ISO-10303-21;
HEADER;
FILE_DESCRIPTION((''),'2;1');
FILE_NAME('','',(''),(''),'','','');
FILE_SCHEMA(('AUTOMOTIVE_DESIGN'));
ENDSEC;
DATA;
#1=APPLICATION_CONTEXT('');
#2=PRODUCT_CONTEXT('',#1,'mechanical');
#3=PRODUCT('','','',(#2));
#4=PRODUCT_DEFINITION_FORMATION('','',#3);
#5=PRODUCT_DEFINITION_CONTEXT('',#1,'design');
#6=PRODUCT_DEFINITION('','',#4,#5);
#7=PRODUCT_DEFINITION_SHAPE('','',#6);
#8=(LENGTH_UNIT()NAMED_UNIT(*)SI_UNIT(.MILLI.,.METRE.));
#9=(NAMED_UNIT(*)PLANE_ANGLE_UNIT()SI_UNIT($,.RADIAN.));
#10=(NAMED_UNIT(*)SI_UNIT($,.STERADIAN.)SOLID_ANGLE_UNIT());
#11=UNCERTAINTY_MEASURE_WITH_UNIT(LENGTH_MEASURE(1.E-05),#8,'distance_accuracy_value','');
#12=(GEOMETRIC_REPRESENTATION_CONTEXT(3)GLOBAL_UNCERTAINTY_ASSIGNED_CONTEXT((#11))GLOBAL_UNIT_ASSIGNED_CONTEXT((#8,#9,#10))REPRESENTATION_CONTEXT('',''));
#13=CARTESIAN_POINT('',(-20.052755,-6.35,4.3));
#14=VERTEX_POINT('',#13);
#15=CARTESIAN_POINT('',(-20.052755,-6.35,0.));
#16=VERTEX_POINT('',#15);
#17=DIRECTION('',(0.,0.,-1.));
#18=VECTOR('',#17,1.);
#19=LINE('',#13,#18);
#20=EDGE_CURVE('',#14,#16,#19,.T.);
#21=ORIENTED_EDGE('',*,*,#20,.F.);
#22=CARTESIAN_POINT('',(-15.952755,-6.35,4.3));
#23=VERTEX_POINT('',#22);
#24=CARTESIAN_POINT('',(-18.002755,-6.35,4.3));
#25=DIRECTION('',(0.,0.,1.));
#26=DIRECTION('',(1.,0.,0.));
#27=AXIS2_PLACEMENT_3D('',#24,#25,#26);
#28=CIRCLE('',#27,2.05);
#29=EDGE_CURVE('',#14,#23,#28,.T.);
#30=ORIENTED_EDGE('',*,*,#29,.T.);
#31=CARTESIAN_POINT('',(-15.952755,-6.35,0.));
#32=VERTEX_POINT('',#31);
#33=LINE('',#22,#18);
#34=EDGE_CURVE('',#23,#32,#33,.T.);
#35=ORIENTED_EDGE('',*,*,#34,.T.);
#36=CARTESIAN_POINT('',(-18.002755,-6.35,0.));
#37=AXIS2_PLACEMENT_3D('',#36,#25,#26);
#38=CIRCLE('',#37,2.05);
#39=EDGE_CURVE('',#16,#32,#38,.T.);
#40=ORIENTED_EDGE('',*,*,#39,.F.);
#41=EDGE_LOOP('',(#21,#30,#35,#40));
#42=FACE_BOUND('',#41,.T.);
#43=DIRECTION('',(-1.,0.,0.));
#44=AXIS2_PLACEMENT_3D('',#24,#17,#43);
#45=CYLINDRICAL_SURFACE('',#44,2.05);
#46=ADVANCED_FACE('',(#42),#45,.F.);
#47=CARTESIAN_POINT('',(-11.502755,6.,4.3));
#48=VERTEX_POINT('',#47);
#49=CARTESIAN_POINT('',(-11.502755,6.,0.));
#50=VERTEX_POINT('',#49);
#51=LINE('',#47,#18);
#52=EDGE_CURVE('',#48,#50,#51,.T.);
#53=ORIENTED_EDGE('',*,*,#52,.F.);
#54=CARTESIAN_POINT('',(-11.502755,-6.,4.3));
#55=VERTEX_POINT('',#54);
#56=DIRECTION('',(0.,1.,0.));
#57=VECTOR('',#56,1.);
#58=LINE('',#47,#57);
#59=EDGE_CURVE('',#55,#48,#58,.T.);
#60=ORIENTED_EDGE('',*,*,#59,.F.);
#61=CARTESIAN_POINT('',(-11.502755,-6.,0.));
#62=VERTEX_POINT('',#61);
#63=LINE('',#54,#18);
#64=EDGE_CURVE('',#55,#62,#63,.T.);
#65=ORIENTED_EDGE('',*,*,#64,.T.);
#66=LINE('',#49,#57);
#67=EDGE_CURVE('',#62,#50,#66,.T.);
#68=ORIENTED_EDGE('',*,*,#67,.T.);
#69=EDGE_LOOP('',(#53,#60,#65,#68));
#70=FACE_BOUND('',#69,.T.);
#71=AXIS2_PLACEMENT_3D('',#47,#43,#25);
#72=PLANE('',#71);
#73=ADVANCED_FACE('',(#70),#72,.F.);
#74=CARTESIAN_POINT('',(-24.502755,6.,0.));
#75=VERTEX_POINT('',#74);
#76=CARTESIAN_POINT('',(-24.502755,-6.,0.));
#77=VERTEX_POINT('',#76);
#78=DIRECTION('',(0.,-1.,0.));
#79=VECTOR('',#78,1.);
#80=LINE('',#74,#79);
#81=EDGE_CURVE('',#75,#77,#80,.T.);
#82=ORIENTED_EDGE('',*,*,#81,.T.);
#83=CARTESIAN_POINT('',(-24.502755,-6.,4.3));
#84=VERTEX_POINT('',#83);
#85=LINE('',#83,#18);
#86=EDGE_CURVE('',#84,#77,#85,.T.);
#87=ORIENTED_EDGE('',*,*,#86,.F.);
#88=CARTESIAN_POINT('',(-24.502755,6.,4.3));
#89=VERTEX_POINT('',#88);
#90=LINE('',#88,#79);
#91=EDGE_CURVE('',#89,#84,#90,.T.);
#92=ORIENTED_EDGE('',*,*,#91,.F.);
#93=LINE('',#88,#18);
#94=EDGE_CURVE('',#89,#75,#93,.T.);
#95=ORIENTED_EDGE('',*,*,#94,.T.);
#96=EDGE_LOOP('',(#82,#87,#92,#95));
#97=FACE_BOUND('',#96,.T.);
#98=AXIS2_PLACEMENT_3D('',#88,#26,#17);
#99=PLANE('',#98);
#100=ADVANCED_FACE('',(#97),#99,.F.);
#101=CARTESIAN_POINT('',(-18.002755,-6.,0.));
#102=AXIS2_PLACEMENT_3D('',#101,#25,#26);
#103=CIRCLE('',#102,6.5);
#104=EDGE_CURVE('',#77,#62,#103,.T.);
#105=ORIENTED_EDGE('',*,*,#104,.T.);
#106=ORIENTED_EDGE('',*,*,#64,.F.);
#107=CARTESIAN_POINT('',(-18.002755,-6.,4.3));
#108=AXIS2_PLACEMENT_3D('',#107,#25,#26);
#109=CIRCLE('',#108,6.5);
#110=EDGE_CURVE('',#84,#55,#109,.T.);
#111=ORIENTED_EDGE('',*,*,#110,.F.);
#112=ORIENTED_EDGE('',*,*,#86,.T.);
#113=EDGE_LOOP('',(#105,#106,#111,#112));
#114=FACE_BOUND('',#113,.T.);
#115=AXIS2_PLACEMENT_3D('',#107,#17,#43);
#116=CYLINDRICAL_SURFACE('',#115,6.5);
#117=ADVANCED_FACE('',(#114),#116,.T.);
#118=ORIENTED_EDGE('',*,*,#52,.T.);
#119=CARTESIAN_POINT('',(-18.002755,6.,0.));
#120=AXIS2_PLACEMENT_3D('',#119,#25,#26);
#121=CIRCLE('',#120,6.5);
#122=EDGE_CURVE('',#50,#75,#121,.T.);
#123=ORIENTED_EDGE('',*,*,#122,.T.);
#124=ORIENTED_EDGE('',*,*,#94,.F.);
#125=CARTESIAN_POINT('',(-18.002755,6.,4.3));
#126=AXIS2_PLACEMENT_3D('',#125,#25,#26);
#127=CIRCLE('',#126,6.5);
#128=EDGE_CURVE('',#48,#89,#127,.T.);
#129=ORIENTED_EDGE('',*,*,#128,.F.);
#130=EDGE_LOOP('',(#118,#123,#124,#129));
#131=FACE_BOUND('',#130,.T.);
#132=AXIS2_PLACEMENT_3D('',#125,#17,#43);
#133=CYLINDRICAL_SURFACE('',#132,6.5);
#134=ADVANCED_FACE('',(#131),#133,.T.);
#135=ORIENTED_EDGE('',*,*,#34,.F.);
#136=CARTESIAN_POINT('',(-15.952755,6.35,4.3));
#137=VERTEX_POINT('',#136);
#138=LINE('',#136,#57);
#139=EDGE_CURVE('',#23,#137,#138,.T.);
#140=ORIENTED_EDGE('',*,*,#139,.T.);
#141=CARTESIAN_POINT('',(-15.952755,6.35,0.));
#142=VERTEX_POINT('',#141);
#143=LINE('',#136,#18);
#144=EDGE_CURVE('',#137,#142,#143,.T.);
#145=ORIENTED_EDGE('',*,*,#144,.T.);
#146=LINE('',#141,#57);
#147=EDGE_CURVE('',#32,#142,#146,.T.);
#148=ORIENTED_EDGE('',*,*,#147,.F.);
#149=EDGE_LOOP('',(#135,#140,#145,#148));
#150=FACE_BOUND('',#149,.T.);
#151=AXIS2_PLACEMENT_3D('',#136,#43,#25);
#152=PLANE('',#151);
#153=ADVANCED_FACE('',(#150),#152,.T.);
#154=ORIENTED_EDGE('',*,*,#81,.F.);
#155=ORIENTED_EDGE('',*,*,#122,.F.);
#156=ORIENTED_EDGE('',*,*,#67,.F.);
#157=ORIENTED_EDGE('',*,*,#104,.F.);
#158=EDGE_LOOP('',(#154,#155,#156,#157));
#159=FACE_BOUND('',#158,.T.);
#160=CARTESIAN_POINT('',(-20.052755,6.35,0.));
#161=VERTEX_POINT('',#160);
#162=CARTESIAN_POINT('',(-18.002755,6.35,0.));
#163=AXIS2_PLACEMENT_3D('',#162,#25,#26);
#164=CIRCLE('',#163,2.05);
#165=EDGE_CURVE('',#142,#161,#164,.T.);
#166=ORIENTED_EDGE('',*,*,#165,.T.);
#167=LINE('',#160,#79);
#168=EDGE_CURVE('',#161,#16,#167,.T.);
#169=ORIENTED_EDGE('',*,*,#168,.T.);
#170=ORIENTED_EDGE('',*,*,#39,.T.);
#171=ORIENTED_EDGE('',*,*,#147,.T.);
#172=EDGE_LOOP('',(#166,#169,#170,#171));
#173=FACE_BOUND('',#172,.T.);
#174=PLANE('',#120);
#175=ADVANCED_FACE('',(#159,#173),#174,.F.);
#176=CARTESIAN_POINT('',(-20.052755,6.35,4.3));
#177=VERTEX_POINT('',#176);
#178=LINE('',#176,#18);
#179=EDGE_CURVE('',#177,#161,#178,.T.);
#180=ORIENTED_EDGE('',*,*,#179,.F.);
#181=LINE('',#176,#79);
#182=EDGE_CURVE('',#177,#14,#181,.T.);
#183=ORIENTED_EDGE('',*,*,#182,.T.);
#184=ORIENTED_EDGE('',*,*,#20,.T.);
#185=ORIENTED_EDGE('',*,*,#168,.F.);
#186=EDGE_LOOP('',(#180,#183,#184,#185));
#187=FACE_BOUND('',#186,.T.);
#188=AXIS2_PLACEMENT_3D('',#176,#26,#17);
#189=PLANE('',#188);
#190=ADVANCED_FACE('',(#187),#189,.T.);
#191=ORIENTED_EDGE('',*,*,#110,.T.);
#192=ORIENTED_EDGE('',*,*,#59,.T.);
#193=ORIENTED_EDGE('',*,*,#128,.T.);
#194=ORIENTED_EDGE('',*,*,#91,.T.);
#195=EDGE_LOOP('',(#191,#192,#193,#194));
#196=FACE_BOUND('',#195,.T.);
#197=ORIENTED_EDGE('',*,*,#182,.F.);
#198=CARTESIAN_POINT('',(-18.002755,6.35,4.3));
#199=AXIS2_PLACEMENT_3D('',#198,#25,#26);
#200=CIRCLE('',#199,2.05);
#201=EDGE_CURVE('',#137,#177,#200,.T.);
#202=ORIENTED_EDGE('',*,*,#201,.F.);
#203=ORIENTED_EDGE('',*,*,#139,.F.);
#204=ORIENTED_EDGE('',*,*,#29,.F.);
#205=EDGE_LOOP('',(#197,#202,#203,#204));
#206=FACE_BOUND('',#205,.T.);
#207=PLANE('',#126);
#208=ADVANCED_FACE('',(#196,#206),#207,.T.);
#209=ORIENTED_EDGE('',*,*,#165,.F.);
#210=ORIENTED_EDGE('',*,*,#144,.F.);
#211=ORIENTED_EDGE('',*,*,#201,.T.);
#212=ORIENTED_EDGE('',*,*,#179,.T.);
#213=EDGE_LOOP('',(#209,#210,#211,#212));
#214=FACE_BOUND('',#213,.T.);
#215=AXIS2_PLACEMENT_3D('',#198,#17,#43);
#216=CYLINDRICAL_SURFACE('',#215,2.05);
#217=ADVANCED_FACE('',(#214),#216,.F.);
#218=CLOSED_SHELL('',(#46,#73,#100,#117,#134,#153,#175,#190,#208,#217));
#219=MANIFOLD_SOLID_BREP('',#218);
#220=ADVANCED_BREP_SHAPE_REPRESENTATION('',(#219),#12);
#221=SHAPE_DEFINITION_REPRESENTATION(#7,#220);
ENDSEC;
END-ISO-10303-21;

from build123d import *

# Parameters (mm, degrees)
BOSS_EXTRUDE1_DEPTH = 4.3


with BuildPart() as part:
    # Sketch1 → Boss-Extrude1 (new body)
    with BuildSketch(Plane.XY):
        with BuildLine():
            Line((-11.502754658, 6), (-11.502754658, -6))
            ThreePointArc((-11.502754658, -6), (-18.002754658, -12.5), (-24.502754658, -6))
            Line((-24.502754658, -6), (-24.502754658, 6))
            ThreePointArc((-24.502754658, 6), (-18.002754658, 12.5), (-11.502754658, 6))
        make_face()
        with BuildLine():
            Line((-15.952754658, 6.35), (-15.952754658, -6.35))
            ThreePointArc((-15.952754658, -6.35), (-18.002754658, -8.4), (-20.052754658, -6.35))
            Line((-20.052754658, -6.35), (-20.052754658, 6.35))
            ThreePointArc((-20.052754658, 6.35), (-18.002754658, 8.4), (-15.952754658, 6.35))
        make_face(mode=Mode.SUBTRACT)
    extrude(amount=BOSS_EXTRUDE1_DEPTH)


solid = part.part
